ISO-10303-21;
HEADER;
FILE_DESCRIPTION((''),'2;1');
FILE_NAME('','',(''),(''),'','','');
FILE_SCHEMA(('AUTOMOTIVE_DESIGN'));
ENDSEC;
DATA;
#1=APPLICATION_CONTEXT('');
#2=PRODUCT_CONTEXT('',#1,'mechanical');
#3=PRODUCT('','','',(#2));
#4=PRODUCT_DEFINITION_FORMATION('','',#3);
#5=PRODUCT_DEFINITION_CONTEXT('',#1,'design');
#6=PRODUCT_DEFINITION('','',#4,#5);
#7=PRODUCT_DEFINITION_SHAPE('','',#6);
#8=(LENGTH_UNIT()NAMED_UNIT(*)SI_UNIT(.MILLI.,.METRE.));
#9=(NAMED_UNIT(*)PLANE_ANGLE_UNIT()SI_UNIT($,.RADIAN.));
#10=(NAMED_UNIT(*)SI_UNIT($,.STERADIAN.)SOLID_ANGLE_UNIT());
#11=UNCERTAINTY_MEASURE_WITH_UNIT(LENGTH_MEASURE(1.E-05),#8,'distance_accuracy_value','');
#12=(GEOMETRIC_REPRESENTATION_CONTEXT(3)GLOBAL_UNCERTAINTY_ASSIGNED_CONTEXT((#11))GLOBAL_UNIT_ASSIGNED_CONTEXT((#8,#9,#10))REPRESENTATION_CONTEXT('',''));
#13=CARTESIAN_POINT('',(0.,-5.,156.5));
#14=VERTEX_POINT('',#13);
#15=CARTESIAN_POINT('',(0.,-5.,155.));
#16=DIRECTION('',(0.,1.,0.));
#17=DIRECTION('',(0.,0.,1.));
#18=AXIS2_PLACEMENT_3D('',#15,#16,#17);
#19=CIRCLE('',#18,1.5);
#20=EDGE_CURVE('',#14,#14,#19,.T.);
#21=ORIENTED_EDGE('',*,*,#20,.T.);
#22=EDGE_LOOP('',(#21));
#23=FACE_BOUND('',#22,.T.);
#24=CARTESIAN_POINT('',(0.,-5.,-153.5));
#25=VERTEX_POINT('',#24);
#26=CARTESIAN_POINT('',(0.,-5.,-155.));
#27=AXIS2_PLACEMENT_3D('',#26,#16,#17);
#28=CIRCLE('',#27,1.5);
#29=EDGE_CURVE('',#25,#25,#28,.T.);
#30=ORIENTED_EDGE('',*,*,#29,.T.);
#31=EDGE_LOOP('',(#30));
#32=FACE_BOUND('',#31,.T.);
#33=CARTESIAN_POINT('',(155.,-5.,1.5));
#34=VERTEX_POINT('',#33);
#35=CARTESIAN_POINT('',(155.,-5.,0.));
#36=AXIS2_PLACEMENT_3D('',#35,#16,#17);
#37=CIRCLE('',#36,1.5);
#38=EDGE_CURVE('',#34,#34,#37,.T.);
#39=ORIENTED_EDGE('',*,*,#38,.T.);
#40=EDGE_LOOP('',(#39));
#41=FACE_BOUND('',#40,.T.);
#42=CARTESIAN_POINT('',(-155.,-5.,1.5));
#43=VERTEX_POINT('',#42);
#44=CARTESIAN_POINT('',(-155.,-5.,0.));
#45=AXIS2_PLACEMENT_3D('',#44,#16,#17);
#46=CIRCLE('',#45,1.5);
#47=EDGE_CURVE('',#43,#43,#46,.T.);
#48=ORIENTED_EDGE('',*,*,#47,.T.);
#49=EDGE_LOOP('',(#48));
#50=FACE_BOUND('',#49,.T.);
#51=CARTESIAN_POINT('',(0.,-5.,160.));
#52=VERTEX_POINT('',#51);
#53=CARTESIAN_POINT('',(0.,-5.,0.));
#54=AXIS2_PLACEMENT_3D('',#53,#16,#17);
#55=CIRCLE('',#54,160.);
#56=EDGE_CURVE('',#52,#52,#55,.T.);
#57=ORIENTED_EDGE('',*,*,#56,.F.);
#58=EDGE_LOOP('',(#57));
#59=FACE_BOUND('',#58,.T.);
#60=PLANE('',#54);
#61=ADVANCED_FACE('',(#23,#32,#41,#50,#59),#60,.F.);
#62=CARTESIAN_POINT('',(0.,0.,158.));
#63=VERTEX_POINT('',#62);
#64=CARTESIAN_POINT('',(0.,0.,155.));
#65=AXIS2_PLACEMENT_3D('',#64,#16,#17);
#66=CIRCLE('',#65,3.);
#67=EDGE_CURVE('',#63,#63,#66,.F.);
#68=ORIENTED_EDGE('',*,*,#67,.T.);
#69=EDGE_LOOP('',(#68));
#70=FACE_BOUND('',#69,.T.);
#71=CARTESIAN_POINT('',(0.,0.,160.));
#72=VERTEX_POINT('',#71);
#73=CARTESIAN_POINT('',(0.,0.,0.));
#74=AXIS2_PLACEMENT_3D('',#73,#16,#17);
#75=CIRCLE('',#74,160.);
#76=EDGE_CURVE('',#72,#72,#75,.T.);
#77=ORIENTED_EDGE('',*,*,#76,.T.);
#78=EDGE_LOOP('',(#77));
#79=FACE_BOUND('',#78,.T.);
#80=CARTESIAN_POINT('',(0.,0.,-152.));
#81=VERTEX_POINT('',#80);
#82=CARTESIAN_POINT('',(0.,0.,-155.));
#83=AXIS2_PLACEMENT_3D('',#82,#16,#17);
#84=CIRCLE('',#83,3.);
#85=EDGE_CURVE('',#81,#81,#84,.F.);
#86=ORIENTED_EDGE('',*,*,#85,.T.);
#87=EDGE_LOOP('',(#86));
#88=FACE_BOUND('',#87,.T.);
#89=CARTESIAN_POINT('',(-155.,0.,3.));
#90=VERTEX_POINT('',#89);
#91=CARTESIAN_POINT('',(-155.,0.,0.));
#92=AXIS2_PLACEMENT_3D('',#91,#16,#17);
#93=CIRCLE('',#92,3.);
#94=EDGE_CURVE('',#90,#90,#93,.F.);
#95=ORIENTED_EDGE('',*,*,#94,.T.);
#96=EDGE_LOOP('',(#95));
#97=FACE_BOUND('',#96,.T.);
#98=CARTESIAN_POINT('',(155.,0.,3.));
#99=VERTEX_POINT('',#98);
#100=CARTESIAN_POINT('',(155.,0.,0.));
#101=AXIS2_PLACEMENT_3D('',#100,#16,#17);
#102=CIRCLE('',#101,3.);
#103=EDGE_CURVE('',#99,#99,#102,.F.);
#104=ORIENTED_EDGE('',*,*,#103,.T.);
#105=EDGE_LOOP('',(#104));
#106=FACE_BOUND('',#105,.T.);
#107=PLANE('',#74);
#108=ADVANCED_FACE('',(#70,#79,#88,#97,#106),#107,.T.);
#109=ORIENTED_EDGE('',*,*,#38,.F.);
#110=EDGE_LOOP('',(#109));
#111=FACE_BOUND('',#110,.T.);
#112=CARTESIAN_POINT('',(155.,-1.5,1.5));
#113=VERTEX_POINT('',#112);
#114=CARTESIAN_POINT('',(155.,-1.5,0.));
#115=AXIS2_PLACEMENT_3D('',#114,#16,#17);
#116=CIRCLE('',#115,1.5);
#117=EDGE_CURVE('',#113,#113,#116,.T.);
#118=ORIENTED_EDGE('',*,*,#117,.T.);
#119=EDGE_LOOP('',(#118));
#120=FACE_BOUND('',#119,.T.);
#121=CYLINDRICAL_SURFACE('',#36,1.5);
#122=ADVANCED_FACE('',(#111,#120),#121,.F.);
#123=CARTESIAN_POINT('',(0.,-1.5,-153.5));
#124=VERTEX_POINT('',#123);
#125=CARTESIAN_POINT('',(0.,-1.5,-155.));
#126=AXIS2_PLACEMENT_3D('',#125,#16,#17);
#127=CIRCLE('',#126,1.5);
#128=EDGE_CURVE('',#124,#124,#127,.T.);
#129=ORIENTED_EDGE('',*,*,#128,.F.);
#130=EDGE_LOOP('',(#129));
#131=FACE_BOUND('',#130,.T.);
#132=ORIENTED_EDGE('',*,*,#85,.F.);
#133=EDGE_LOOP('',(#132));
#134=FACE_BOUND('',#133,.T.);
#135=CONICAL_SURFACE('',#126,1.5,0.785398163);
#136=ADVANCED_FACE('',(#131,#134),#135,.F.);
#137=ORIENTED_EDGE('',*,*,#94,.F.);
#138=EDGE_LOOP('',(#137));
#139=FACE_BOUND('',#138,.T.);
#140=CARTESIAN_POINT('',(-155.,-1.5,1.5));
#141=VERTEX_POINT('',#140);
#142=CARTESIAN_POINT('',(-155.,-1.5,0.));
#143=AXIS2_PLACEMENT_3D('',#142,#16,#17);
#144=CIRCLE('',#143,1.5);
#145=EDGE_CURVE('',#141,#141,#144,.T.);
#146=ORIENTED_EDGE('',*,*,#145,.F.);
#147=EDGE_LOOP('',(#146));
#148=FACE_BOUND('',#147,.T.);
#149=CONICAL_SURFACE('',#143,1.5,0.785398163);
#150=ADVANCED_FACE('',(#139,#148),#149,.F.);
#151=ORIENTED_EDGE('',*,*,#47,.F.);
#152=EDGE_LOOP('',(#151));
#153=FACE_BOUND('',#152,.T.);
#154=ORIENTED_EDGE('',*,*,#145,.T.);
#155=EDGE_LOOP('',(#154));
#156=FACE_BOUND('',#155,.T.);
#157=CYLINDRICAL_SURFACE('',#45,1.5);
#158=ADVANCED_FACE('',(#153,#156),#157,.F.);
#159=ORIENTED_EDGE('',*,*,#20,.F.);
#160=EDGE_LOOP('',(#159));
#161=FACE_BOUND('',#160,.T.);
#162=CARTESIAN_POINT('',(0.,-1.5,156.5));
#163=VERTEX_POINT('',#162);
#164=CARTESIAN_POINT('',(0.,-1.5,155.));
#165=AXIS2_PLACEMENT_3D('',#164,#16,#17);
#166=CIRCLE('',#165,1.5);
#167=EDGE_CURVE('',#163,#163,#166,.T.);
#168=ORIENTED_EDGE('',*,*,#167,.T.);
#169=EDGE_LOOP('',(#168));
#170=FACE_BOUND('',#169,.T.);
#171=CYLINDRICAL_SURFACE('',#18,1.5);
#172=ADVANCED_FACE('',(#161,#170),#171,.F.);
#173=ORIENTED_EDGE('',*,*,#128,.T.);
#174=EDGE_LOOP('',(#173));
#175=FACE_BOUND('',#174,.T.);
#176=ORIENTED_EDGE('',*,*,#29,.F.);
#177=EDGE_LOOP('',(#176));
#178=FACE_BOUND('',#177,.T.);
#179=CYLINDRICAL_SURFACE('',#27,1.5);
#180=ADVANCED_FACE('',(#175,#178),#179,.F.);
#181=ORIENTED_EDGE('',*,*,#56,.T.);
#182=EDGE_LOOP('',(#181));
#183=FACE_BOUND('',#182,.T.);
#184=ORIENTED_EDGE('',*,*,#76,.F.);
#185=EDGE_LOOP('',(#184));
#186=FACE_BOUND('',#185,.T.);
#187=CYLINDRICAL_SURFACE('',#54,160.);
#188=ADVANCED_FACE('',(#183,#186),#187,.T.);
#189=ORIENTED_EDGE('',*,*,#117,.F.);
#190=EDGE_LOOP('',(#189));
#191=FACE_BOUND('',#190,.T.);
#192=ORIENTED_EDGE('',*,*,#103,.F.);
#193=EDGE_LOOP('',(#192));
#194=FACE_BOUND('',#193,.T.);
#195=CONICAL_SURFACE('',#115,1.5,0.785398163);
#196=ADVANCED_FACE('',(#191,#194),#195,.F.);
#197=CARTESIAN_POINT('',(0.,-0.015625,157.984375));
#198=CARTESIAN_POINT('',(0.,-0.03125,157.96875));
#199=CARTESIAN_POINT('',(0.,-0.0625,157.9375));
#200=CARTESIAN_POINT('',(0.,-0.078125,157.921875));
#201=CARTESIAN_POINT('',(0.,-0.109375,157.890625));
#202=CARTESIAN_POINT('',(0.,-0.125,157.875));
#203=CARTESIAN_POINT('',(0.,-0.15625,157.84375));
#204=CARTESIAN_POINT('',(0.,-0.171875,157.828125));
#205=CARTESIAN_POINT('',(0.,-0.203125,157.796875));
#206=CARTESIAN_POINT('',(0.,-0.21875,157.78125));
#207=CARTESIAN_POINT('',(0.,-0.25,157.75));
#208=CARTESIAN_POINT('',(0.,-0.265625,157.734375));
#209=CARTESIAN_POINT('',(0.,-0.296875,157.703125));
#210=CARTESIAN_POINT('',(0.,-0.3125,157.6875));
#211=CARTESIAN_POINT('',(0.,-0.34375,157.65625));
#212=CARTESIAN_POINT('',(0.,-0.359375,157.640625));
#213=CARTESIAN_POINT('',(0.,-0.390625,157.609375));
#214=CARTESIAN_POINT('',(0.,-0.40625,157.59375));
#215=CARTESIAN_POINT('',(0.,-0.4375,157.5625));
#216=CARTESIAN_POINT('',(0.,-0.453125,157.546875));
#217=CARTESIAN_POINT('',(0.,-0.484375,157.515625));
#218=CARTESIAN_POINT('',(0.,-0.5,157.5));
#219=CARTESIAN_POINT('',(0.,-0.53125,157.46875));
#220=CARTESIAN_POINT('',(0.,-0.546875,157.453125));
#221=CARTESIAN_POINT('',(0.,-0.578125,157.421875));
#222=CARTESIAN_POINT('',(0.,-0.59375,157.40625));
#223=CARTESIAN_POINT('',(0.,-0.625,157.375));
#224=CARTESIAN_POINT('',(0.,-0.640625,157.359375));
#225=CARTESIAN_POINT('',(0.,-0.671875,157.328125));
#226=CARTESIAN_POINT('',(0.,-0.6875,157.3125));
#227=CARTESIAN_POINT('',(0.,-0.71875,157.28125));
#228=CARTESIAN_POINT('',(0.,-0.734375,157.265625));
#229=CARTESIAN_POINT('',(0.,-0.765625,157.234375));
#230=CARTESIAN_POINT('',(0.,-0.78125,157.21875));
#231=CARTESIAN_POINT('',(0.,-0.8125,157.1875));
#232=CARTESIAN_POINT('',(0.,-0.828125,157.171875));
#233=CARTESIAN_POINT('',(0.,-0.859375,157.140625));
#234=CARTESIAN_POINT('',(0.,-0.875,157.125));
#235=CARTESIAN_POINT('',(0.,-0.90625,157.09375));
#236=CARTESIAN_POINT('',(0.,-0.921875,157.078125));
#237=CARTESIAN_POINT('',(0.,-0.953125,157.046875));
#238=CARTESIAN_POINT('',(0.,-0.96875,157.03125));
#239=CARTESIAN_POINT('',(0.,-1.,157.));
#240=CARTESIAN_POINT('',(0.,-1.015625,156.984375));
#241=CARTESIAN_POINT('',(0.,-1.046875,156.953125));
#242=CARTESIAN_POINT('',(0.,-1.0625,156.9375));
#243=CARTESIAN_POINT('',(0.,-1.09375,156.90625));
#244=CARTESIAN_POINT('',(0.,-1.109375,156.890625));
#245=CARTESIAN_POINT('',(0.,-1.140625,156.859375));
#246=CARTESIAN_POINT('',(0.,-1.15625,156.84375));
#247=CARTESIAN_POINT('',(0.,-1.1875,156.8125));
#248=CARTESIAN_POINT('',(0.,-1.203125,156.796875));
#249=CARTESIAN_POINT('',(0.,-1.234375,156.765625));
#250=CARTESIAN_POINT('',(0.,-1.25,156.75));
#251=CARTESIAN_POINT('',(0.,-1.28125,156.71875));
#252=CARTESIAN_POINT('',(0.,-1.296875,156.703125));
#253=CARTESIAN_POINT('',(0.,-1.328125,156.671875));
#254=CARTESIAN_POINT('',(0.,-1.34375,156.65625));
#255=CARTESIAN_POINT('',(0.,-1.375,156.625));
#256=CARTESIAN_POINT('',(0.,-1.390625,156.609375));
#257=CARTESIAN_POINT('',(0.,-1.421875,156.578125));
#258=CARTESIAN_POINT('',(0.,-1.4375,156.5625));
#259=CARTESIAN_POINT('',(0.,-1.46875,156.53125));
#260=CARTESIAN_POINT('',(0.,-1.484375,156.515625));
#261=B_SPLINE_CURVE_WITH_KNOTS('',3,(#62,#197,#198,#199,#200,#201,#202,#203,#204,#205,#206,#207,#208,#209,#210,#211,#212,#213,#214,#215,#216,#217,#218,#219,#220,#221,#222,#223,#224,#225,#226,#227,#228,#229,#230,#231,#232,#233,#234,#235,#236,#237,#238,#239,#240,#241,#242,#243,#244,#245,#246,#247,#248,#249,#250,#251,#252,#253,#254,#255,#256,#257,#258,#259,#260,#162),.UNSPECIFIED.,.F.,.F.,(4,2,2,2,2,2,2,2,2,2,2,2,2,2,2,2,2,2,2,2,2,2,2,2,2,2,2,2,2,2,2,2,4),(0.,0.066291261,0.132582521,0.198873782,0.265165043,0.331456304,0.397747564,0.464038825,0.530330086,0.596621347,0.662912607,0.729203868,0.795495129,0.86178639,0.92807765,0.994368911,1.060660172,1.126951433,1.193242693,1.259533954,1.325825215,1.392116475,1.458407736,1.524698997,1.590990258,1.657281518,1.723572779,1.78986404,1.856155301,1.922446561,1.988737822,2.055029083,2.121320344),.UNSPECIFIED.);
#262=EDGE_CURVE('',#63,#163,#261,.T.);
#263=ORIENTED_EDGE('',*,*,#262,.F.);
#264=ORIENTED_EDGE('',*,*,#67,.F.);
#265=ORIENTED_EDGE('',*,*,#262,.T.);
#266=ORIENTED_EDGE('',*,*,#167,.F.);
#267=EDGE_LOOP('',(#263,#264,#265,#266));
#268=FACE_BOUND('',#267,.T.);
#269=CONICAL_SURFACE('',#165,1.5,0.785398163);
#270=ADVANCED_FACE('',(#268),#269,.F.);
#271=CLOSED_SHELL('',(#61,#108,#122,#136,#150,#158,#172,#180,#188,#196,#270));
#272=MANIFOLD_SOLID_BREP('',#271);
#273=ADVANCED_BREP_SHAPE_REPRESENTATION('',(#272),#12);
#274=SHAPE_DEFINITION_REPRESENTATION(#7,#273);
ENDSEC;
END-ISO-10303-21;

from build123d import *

# Parameters (mm, degrees)
SKETCH1_R           = 160
SKETCH1_R_2         = 1.5
BOSS_EXTRUDE1_DEPTH = 5
CHAMFER1_SIZE       = 1.5


with BuildPart() as part:
    # Sketch1 → Boss-Extrude1 (new body)
    with BuildSketch(Plane(origin=(0, 0, 0), x_dir=(1, 0, 0), z_dir=(0, 1, 0))):
        with Locations(Location((0, 0, 0), (0, 0, 270))):
            Circle(SKETCH1_R)
        with Locations(Location((155, 0, 0), (0, 0, 270))):
            Circle(SKETCH1_R_2, mode=Mode.SUBTRACT)
        with Locations(Location((0, -155, 0), (0, 0, 270))):
            Circle(SKETCH1_R_2, mode=Mode.SUBTRACT)
        with Locations(Location((-155, 0, 0), (0, 0, 270))):
            Circle(SKETCH1_R_2, mode=Mode.SUBTRACT)
        with Locations(Location((0, 155, 0), (0, 0, 270))):
            Circle(SKETCH1_R_2, mode=Mode.SUBTRACT)
    extrude(amount=-BOSS_EXTRUDE1_DEPTH)

    # Chamfer1
    chamfer1_edges = [part.edges().sort_by_distance(p)[0] for p in [
        (-155, 0, -1.5),
        (0, 0, -156.5),
        (155, 0, -1.5),
        (0, 0, 153.5),
    ]]
    chamfer(chamfer1_edges, length=CHAMFER1_SIZE)


solid = part.part
